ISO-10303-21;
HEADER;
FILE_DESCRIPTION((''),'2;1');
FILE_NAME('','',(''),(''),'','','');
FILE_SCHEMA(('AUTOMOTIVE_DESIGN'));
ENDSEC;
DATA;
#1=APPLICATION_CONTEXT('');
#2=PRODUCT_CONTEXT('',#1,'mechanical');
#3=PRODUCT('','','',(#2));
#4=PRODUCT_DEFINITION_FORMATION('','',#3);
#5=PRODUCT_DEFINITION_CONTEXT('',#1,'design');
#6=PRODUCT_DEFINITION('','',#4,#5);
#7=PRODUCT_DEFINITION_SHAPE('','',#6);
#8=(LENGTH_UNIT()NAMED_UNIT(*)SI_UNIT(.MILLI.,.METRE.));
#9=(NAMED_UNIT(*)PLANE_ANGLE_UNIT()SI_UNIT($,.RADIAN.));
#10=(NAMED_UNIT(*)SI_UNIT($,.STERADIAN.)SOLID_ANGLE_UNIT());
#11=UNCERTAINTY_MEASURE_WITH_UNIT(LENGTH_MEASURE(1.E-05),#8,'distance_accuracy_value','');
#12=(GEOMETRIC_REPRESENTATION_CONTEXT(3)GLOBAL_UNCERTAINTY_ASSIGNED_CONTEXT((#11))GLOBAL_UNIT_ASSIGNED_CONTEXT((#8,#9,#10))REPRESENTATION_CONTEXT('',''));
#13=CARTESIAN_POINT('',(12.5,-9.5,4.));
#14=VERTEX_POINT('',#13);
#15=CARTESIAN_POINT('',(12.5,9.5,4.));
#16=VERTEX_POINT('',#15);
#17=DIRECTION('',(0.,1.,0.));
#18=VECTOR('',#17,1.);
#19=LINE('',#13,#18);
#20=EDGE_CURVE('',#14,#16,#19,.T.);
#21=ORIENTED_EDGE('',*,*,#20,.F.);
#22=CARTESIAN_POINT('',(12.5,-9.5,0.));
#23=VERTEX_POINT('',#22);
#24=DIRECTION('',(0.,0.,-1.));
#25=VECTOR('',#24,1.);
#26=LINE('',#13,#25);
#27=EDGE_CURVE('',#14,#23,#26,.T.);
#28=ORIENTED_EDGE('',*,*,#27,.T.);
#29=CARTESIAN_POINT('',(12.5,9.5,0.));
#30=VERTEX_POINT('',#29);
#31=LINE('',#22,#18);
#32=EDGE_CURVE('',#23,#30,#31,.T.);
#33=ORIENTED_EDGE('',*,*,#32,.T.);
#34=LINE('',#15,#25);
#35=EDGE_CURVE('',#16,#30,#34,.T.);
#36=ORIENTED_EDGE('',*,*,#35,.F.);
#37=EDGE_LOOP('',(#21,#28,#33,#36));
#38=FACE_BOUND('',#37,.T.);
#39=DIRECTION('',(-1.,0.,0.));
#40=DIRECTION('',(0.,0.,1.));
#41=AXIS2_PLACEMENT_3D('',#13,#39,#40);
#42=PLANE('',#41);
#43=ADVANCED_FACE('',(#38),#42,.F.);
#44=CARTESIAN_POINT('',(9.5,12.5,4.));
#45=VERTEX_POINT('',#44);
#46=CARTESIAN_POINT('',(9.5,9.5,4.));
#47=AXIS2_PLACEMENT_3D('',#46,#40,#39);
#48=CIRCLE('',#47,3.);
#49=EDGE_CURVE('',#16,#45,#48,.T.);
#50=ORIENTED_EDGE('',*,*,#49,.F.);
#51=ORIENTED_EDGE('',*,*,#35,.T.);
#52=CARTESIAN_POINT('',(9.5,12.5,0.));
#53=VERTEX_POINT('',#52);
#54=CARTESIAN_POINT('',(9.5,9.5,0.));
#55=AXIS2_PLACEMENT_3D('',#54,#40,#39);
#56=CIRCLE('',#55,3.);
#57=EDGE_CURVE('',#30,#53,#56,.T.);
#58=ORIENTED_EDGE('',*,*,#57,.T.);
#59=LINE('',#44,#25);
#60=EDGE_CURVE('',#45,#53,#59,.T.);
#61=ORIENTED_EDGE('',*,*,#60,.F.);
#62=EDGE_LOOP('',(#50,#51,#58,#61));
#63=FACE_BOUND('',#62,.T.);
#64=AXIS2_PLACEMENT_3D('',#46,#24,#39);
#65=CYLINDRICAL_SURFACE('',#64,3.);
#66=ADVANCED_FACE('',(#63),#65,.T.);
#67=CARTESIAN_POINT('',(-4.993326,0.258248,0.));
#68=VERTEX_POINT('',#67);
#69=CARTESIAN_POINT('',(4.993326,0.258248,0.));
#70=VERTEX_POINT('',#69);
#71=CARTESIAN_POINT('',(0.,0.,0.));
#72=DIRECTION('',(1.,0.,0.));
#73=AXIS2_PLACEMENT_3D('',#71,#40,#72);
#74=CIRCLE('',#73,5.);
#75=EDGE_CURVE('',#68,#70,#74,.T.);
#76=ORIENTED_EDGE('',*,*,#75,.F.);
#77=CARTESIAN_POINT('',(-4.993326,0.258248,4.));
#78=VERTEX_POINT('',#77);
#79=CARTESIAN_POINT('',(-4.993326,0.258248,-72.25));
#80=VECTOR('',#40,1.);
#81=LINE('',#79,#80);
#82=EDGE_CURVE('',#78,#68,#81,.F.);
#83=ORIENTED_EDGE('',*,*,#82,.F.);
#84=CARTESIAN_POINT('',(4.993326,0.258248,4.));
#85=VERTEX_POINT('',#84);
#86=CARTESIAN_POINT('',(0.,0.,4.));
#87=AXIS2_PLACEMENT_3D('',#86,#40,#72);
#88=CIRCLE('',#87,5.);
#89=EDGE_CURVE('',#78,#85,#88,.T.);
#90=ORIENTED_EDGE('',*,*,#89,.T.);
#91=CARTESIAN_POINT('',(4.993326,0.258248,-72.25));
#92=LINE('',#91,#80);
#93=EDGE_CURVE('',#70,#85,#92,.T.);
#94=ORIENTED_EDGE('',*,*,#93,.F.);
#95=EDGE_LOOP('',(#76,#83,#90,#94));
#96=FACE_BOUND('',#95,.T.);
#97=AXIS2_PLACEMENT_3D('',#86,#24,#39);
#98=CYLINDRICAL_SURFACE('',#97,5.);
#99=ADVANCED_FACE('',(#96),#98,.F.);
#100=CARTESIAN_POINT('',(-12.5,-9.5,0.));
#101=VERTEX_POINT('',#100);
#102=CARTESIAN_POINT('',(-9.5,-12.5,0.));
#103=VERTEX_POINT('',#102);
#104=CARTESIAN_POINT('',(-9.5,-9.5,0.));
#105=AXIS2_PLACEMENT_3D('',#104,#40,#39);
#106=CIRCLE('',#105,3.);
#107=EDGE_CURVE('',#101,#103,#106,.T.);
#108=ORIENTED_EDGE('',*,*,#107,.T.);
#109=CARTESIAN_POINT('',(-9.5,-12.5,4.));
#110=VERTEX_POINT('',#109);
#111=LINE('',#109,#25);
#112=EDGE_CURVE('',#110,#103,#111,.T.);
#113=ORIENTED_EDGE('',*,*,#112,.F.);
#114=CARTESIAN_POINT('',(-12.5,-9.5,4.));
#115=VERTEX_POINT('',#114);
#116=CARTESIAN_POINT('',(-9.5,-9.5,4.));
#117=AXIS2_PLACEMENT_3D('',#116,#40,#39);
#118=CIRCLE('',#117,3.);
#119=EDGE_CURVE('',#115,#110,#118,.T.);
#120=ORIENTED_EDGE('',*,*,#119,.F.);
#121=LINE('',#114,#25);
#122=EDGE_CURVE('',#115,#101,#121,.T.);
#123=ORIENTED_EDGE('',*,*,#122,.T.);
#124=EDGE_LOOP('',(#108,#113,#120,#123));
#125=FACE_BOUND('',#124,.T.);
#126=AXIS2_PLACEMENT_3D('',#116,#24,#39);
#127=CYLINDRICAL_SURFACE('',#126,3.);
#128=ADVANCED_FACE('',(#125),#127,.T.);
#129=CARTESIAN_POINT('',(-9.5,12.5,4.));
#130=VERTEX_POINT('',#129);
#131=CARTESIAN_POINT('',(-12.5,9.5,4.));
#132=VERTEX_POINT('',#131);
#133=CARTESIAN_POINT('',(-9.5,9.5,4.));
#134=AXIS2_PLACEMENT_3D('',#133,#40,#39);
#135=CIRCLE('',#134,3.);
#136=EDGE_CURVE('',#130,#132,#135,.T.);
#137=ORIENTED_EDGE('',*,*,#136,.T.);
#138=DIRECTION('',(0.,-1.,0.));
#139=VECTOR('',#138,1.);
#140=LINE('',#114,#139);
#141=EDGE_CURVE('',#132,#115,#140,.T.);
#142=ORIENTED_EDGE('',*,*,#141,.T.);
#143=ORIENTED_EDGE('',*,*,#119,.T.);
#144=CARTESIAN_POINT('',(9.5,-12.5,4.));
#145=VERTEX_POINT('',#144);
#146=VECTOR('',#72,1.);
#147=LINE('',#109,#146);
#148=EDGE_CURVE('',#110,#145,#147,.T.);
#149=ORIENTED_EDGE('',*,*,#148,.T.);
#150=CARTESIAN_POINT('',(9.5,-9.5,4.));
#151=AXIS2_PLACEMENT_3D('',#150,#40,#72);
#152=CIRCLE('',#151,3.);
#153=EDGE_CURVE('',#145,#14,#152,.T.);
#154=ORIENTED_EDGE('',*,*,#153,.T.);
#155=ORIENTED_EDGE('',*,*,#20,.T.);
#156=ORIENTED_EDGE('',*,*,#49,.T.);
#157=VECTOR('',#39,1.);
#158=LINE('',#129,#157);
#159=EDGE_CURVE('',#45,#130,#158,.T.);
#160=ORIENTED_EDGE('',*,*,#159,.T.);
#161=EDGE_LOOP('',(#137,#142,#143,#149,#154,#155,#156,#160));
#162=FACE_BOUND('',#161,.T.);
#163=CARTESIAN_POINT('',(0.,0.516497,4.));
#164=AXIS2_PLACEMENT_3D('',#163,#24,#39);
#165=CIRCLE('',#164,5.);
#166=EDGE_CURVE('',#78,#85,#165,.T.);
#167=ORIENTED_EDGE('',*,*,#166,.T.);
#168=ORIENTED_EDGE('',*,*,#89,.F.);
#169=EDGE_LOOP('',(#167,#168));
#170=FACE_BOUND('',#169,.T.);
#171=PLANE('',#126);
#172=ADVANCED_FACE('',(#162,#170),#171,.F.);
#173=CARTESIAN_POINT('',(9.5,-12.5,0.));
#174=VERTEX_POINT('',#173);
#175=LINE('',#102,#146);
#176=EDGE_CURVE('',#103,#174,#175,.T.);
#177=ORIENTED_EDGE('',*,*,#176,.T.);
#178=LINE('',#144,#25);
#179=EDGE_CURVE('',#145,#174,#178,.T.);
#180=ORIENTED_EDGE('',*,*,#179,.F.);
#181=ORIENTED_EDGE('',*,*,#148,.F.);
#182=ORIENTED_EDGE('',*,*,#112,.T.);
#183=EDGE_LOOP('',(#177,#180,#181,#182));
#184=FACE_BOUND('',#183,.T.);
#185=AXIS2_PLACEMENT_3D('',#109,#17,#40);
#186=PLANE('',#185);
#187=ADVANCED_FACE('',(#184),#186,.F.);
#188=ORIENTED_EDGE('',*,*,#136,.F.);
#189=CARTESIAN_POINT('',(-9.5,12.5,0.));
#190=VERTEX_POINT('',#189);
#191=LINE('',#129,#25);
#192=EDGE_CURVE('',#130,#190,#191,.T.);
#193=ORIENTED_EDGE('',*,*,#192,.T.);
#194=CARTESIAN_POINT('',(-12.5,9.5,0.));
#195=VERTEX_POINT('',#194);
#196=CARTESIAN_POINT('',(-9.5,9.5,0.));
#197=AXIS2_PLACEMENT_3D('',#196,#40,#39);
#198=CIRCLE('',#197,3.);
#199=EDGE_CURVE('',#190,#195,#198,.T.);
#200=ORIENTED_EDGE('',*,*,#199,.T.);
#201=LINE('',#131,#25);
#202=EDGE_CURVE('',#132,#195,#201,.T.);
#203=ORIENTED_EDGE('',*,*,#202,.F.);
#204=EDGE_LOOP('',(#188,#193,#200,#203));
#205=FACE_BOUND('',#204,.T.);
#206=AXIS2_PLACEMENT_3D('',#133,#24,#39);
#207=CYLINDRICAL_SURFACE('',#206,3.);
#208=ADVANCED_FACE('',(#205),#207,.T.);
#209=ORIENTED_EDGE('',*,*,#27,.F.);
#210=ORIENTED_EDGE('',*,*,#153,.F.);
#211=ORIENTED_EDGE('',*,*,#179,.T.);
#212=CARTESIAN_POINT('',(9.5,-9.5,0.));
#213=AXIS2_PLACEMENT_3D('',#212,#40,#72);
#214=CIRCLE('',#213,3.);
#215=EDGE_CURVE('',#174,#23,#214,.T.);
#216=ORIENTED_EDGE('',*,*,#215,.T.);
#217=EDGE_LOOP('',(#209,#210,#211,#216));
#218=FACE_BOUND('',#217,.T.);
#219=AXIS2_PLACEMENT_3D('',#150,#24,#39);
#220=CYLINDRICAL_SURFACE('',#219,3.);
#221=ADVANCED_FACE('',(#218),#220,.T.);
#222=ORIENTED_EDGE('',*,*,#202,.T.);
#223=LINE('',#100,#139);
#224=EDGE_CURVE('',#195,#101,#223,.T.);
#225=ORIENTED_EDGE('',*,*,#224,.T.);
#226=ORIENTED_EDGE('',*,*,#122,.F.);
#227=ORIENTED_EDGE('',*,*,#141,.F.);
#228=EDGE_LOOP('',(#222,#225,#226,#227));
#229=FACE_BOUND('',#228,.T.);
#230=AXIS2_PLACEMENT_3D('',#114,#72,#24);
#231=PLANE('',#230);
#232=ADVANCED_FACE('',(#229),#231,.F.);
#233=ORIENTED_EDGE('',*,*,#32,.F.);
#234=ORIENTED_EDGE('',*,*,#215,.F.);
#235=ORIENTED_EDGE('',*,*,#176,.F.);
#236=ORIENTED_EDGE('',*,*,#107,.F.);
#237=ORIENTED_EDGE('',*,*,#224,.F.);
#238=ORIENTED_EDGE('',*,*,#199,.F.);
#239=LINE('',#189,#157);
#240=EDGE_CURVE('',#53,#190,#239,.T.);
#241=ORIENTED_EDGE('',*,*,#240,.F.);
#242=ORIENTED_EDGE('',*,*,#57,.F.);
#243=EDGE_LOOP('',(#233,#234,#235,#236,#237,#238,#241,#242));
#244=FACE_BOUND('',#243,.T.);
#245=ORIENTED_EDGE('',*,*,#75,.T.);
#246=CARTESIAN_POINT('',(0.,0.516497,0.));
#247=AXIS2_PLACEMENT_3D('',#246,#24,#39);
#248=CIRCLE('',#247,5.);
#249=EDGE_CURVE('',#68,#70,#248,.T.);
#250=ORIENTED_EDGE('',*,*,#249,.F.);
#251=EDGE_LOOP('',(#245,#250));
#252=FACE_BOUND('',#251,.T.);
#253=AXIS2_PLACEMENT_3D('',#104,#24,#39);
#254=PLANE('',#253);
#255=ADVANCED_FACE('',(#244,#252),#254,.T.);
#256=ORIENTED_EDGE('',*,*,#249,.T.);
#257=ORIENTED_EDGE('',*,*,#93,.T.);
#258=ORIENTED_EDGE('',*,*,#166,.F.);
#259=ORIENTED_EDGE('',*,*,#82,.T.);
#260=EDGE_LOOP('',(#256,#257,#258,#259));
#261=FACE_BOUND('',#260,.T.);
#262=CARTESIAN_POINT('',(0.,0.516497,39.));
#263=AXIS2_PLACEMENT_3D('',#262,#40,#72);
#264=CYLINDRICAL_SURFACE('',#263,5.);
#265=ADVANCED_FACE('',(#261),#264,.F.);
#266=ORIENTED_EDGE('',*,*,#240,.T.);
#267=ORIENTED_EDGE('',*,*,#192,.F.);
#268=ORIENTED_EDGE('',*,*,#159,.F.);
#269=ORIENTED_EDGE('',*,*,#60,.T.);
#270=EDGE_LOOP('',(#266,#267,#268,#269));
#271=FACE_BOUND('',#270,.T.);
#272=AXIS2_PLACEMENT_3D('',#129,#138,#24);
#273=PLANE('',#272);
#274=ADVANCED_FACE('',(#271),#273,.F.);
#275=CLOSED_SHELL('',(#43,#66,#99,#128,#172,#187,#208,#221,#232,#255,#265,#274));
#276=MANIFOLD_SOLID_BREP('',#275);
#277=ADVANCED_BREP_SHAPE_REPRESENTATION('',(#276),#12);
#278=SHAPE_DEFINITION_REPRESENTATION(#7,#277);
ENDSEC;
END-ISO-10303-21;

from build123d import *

# Parameters (mm, degrees)
ESQUISSE1_R          = 5
BOSS_EXTRU_1_DEPTH   = 4
D_GAGEMENT_M82_D     = 10
D_GAGEMENT_M82_DEPTH = 222.5
D_GAGEMENT_M82_TIP   = 3.004303095


with BuildPart() as part:
    # Esquisse1 → Boss.-Extru.1 (new body)
    with BuildSketch(Plane.XY):
        with BuildLine():
            Line((-9.5, -12.5), (9.5, -12.5))
            ThreePointArc((9.5, -12.5), (11.621320344, -11.621320344), (12.5, -9.5))
            Line((12.5, -9.5), (12.5, 9.5))
            ThreePointArc((12.5, 9.5), (11.621320344, 11.621320344), (9.5, 12.5))
            Line((9.5, 12.5), (-9.5, 12.5))
            ThreePointArc((-9.5, 12.5), (-11.621320344, 11.621320344), (-12.5, 9.5))
            Line((-12.5, 9.5), (-12.5, -9.5))
            ThreePointArc((-12.5, -9.5), (-11.621320344, -11.621320344), (-9.5, -12.5))
        make_face()
        Circle(ESQUISSE1_R, mode=Mode.SUBTRACT)
    extrude(amount=BOSS_EXTRU_1_DEPTH)

    # Dégagement M82
    with Locations(Plane(origin=(0, -679.483503367, 39), x_dir=(1, 0, 0), z_dir=(0, 0, 1))):
        with Locations((0, 680), (0, 580), (0, 480)):
            Hole(D_GAGEMENT_M82_D / 2, depth=D_GAGEMENT_M82_DEPTH)
            with Locations((0, 0, -(D_GAGEMENT_M82_DEPTH + D_GAGEMENT_M82_TIP / 2))):  # 118° drill point
                Cone(0, D_GAGEMENT_M82_D / 2, D_GAGEMENT_M82_TIP, mode=Mode.SUBTRACT)


solid = part.part
